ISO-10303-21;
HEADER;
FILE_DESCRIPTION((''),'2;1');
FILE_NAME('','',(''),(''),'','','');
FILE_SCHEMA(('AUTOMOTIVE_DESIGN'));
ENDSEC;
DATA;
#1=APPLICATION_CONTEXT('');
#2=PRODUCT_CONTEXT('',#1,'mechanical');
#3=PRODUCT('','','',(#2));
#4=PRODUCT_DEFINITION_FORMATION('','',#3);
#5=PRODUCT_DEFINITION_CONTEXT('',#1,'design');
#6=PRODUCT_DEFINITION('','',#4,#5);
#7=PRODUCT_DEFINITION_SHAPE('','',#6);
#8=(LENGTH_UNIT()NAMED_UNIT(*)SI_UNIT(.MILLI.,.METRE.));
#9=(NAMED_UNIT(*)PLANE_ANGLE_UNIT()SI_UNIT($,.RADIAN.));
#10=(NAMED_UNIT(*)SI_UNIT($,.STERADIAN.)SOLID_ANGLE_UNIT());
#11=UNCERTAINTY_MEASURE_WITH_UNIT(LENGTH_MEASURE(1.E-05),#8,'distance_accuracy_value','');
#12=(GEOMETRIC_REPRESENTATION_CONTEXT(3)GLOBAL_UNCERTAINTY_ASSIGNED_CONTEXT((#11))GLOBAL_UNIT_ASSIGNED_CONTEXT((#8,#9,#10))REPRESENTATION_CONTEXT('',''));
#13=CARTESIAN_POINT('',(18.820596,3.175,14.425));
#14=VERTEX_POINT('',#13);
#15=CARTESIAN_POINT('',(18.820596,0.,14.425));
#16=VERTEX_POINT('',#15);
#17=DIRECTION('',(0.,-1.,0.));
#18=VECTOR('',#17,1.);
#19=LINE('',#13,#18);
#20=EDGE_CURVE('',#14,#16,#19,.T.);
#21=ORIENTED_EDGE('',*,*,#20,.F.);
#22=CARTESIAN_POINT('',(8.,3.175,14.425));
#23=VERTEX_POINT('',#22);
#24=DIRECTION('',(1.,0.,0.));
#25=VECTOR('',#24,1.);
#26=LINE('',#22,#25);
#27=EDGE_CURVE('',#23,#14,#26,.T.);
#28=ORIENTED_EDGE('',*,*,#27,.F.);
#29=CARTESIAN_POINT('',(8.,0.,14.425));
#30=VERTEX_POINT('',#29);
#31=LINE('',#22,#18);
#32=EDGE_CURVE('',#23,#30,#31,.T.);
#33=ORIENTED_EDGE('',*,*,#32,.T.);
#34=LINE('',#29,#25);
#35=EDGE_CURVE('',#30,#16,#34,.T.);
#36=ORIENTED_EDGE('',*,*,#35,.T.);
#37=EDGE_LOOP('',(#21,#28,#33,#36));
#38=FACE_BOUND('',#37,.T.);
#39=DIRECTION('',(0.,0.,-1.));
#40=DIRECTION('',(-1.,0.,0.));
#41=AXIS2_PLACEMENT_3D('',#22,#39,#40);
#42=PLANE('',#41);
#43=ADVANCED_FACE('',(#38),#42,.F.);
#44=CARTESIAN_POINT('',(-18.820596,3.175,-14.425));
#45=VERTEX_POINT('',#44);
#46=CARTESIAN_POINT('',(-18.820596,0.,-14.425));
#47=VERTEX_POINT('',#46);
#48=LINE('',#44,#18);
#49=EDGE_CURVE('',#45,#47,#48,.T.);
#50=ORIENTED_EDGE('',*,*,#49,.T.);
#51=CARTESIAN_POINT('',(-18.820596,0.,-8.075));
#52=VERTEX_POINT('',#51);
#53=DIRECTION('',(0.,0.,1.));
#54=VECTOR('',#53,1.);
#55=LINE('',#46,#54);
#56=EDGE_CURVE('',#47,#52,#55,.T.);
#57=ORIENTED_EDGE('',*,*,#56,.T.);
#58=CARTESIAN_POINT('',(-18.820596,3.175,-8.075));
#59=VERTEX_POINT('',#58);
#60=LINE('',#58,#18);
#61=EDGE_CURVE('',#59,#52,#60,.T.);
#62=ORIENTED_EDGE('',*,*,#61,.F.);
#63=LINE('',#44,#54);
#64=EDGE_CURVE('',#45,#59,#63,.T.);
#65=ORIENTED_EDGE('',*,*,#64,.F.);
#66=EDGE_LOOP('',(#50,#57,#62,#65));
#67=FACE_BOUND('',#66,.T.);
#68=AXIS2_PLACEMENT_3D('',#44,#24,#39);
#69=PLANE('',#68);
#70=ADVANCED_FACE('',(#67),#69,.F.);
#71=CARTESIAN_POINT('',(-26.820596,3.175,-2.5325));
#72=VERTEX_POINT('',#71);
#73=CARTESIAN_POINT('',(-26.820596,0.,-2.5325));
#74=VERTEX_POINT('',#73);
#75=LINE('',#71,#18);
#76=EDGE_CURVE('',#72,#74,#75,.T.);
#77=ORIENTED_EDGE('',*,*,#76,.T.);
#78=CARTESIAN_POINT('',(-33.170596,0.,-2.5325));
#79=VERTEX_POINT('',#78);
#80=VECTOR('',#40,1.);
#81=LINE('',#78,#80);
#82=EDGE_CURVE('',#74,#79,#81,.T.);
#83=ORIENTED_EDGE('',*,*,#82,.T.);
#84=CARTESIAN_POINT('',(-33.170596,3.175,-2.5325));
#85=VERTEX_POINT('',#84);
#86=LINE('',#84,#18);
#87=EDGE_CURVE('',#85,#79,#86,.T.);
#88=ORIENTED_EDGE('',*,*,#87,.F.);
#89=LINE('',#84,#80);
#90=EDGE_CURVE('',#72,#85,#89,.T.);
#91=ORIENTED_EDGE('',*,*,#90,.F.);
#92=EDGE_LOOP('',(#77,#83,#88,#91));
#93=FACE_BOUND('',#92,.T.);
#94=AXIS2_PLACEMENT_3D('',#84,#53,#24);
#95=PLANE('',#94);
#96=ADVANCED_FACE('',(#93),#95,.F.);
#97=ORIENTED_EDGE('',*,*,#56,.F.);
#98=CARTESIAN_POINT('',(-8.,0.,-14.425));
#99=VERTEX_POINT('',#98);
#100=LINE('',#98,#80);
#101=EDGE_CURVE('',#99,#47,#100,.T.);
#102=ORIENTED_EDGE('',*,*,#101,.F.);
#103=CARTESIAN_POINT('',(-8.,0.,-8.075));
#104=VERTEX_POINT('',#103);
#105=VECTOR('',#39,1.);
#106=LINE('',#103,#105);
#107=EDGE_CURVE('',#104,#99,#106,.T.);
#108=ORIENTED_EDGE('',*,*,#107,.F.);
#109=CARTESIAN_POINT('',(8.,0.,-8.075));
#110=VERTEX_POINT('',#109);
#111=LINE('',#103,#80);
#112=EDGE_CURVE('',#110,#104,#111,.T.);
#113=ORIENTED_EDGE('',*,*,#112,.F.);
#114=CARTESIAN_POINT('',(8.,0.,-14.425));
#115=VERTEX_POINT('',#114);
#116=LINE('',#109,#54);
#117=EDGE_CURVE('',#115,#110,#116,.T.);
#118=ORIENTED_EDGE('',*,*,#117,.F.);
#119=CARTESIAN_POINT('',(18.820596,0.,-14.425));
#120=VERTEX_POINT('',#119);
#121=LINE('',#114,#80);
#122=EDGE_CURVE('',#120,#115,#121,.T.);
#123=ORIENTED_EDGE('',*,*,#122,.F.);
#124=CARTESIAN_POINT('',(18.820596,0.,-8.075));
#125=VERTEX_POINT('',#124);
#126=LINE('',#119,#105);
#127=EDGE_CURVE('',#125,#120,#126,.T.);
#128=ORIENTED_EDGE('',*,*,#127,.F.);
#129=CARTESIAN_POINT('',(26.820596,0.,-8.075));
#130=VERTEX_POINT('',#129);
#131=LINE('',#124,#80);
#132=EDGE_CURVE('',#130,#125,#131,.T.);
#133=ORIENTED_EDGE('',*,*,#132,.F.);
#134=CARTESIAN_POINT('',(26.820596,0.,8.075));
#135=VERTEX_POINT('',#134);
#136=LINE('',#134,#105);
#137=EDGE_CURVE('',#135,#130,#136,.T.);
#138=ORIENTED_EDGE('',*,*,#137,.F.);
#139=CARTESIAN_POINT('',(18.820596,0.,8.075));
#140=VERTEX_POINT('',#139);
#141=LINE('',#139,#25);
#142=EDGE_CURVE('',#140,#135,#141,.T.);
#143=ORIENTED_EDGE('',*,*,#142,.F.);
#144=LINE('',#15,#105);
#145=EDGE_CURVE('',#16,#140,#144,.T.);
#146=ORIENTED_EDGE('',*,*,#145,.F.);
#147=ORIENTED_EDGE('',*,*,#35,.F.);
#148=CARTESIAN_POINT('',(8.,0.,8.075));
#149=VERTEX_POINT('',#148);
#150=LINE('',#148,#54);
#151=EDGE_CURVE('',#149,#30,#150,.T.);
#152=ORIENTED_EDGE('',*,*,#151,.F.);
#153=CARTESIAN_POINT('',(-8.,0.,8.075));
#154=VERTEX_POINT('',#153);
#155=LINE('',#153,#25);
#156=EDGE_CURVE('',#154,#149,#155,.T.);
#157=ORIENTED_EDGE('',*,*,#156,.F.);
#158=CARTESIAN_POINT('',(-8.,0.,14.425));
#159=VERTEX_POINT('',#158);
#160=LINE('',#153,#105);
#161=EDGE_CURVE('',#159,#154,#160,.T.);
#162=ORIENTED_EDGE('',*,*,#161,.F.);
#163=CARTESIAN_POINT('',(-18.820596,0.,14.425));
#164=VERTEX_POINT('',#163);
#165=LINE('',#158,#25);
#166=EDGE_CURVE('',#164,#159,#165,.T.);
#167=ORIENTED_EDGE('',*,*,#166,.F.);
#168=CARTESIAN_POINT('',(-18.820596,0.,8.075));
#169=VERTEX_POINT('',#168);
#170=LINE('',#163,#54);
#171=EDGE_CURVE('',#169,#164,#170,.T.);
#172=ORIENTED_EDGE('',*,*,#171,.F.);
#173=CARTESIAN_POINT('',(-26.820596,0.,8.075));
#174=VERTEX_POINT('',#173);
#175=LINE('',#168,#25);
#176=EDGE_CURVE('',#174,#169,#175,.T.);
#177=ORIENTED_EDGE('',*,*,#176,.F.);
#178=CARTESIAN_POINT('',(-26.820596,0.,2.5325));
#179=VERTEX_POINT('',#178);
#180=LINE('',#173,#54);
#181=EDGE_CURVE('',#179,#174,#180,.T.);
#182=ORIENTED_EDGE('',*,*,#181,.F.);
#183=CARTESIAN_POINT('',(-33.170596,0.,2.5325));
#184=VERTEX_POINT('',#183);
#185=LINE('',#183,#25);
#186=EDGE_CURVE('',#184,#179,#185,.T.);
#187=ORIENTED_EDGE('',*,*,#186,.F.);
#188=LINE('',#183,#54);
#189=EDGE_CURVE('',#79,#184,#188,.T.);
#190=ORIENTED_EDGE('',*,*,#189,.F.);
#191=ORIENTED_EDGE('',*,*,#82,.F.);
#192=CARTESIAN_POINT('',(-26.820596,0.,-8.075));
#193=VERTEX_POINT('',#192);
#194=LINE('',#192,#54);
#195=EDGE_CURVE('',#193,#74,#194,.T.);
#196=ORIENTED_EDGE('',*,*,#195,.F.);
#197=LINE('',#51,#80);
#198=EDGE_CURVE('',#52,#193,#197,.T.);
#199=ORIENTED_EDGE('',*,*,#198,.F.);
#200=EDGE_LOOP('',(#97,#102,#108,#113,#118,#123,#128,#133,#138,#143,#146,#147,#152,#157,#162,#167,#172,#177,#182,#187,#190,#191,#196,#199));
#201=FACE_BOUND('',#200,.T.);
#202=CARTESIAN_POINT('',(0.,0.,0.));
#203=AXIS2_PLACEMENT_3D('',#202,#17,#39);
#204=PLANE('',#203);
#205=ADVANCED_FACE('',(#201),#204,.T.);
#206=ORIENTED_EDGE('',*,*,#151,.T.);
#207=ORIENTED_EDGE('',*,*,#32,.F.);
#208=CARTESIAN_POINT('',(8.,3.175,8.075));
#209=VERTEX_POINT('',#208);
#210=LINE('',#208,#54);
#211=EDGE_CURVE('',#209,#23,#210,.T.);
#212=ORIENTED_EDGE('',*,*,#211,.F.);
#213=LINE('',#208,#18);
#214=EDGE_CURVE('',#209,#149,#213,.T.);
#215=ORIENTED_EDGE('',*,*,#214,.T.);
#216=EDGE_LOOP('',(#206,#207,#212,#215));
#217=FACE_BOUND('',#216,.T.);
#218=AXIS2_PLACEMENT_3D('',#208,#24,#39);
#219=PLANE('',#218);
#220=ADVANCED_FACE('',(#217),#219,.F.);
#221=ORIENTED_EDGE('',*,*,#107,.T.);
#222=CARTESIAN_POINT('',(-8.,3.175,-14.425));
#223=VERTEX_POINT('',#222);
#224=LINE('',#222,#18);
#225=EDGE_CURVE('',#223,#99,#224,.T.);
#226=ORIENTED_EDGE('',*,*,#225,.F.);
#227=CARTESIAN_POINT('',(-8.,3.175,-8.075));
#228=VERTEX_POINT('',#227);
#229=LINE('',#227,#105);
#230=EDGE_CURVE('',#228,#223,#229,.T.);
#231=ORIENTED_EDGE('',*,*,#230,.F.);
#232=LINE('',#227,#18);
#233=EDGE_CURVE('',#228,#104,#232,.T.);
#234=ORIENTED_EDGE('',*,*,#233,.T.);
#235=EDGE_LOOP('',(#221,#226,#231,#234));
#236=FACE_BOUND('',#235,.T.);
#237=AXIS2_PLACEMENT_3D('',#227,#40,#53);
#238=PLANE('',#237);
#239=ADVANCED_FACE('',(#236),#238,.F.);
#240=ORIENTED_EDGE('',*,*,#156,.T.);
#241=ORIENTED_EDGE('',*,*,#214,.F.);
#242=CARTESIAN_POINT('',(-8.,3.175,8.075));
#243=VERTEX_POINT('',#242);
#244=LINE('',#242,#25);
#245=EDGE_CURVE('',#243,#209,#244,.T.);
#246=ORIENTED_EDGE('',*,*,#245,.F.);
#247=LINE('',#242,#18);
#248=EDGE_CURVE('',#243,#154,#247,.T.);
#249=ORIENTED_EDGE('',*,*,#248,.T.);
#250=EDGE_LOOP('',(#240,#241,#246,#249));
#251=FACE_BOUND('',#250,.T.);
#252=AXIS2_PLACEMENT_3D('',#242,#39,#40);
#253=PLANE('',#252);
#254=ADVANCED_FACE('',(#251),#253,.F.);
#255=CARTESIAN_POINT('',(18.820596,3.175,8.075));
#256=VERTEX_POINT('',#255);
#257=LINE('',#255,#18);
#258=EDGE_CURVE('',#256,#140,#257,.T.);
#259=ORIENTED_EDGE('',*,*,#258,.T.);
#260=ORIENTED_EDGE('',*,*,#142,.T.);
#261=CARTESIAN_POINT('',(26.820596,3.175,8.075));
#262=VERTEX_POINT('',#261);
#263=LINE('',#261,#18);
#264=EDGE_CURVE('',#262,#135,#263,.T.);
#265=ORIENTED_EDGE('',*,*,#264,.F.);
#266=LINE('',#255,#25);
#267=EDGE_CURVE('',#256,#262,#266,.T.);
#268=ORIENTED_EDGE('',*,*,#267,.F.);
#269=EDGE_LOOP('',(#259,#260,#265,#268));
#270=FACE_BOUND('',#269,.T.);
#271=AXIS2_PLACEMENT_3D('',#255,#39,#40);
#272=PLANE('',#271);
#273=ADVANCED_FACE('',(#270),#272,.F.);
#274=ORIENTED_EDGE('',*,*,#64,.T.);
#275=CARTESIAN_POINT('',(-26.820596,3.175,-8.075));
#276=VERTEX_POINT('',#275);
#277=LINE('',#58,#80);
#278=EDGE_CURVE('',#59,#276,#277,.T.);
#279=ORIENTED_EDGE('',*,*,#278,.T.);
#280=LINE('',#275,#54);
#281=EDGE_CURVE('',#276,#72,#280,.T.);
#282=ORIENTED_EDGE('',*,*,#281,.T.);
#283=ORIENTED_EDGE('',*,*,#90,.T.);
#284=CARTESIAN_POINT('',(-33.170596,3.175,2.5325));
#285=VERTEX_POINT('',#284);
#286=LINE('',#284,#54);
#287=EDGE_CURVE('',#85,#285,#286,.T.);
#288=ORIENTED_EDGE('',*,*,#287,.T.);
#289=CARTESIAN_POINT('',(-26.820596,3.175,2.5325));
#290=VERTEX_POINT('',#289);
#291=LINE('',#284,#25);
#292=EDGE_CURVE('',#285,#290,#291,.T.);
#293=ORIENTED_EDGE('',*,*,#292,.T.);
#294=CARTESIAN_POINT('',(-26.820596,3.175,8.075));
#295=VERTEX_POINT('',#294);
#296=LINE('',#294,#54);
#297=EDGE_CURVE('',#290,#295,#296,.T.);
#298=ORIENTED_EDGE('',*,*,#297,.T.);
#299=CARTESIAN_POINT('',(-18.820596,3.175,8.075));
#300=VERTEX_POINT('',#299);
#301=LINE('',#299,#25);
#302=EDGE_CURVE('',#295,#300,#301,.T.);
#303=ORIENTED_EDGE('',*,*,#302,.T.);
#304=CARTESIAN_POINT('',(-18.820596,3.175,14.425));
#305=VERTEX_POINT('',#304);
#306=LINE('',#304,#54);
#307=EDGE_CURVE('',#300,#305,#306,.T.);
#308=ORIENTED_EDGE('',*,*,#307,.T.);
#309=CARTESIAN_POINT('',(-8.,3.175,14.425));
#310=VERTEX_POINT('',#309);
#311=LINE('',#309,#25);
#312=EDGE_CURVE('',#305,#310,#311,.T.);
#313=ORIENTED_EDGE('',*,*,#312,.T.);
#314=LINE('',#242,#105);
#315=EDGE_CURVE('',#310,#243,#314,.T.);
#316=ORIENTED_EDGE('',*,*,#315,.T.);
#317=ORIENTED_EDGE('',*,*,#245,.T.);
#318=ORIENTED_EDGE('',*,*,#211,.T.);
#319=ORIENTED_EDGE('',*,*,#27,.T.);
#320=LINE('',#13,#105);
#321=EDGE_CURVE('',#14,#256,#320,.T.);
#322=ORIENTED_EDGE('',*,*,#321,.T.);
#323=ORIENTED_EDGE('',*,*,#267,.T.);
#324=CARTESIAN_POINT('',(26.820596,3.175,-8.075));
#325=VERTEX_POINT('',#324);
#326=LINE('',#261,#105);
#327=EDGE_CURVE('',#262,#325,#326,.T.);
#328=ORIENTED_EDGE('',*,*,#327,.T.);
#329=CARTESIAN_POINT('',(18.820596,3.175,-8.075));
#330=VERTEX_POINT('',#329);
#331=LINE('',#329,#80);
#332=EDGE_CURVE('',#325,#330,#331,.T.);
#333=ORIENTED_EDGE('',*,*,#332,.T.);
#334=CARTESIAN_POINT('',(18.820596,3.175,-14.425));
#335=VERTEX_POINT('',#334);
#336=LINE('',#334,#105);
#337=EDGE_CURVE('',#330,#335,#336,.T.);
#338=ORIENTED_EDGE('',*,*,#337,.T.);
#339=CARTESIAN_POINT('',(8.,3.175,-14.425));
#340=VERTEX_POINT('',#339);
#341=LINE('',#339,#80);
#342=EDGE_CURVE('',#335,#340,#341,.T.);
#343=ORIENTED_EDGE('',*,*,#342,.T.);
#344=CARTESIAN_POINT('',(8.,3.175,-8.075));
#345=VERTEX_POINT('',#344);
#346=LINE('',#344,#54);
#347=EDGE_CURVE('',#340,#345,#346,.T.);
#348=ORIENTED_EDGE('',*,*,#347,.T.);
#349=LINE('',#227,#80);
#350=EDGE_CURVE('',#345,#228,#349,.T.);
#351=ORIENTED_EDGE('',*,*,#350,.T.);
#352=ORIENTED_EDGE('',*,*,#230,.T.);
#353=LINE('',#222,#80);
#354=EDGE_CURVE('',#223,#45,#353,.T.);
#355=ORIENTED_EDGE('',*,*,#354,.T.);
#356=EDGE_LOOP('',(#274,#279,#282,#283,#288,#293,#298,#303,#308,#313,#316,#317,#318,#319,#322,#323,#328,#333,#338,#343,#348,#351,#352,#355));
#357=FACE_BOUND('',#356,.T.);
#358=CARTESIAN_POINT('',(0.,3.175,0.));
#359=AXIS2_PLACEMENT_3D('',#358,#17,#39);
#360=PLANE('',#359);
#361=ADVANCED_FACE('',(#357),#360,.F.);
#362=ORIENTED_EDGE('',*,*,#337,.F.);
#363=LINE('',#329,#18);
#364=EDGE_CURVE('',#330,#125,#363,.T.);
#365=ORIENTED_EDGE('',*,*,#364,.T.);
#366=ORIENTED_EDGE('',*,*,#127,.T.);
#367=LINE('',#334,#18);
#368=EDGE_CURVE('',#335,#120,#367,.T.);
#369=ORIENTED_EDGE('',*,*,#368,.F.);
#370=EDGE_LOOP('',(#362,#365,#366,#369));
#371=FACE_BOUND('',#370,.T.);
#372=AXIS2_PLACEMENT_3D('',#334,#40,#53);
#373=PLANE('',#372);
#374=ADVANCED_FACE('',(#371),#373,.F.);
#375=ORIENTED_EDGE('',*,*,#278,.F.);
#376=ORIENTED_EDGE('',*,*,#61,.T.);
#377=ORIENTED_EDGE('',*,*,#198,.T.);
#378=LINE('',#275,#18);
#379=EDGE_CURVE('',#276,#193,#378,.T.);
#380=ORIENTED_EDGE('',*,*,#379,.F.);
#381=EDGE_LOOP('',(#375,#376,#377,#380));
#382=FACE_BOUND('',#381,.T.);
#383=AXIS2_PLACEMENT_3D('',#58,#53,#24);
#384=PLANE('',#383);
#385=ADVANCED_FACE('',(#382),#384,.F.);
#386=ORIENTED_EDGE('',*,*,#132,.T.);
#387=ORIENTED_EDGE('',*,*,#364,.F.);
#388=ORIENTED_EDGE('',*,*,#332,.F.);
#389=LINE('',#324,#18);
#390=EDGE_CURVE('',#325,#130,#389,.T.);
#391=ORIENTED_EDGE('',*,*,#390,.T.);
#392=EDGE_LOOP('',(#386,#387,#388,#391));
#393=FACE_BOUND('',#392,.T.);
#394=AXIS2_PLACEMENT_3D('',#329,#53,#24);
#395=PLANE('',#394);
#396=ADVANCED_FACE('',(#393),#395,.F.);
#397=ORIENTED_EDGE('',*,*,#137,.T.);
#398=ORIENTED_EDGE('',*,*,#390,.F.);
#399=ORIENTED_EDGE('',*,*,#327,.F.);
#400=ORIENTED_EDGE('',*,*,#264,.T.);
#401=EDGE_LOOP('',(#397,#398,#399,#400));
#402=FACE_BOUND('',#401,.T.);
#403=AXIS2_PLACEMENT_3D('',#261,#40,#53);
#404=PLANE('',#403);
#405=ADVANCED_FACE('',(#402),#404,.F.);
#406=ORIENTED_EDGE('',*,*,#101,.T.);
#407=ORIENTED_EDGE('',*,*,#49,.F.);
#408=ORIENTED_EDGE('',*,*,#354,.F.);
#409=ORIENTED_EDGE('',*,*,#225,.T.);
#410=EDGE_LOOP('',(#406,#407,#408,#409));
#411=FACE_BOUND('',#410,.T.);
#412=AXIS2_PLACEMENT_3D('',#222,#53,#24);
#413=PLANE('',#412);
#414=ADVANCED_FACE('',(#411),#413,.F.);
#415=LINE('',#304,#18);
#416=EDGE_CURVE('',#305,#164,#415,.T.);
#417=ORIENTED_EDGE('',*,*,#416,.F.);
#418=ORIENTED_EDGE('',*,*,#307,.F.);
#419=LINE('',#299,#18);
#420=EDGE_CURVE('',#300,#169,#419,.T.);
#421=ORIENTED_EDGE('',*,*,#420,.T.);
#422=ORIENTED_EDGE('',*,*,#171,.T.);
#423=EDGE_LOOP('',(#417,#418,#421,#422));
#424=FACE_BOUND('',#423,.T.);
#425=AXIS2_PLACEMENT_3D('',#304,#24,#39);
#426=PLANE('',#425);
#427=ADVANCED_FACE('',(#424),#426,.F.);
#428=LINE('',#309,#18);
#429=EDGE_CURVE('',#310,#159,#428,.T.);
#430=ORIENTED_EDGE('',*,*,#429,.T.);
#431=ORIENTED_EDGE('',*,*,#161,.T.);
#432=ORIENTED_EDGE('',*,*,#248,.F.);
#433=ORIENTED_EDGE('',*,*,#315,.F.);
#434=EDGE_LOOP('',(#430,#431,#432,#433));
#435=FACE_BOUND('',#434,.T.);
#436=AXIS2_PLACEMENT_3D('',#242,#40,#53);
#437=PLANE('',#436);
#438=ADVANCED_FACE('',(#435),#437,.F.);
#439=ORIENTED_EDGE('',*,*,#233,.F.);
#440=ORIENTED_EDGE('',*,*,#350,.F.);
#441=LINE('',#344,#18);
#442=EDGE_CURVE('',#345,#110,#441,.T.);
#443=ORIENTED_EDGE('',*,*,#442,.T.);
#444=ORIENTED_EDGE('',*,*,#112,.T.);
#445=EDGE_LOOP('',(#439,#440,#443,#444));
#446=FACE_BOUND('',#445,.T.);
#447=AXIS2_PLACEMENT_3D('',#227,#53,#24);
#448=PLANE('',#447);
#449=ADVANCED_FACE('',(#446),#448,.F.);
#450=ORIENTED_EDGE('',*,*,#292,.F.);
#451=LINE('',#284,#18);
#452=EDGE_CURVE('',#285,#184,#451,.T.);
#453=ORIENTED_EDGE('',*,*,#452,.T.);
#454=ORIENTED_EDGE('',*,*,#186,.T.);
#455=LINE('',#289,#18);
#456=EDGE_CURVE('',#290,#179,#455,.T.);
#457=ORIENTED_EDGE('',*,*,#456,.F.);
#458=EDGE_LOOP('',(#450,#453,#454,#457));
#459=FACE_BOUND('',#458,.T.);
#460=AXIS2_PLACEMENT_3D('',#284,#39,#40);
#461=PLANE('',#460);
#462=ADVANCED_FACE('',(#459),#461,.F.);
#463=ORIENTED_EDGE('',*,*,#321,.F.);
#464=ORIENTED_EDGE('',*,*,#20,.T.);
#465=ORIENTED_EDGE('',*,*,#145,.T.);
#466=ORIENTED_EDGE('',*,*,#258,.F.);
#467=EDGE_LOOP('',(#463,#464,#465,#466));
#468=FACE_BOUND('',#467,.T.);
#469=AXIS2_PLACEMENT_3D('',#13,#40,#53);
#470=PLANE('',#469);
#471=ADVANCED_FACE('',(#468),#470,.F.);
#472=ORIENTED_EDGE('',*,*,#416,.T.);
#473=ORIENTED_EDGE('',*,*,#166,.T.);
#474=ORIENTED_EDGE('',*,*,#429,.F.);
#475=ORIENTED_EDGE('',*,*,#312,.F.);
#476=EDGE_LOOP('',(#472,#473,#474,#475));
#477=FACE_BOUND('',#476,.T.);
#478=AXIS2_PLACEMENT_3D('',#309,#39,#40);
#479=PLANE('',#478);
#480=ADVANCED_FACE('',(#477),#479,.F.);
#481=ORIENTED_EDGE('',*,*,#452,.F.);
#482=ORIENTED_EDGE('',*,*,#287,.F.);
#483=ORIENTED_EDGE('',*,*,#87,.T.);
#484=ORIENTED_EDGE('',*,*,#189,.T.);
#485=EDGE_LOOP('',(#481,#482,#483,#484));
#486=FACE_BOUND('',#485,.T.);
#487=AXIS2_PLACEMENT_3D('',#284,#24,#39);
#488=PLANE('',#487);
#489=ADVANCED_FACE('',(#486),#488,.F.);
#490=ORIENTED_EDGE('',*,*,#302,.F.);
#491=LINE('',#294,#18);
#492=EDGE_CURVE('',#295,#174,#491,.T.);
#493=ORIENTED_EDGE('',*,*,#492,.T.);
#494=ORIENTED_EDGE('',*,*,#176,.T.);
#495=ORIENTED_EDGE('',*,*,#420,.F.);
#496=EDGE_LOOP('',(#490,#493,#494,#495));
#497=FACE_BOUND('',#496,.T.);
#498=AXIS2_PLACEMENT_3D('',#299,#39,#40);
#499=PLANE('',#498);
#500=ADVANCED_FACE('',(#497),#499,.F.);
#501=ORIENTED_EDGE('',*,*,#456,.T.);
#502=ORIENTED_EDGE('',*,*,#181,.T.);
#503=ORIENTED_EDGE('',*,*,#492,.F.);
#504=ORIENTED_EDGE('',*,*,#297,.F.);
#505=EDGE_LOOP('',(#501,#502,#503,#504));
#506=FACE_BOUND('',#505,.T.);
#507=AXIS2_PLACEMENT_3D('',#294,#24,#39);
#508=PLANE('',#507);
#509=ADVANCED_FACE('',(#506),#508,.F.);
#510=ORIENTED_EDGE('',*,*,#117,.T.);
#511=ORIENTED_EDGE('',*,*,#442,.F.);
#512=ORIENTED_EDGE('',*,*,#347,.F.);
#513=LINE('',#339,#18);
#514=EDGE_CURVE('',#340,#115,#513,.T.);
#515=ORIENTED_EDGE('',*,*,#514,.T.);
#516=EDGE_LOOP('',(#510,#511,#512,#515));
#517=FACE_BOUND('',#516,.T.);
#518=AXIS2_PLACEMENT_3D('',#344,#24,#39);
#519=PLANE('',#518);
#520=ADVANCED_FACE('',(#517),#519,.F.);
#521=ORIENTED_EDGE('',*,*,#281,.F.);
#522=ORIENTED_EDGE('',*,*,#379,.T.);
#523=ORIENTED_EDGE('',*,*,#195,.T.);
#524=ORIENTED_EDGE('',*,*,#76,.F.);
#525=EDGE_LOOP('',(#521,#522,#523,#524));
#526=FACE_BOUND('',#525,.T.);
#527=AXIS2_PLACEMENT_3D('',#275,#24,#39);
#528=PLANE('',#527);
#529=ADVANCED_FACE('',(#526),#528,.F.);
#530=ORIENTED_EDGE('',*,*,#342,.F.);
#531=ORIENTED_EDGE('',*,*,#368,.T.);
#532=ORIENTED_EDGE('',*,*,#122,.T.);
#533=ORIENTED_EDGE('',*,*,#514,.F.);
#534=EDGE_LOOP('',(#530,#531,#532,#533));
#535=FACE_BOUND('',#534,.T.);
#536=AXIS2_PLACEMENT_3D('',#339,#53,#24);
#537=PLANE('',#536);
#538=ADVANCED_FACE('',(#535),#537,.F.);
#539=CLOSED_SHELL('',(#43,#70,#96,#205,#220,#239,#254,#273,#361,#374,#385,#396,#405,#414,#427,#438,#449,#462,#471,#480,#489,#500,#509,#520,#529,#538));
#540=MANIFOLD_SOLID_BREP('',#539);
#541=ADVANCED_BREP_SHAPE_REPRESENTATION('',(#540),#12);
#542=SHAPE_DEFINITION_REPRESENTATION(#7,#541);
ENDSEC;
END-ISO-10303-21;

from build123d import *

# Parameters (mm, degrees)
BOSS_EXTRUDE1_DEPTH = 3.175


with BuildPart() as part:
    # Sketch1 → Boss-Extrude1 (new body)
    with BuildSketch(Plane(origin=(0, 0, 0), x_dir=(1, 0, 0), z_dir=(0, 1, 0))):
        Polygon((-33.17059633, -2.5325), (-33.17059633, 2.5325), (-26.82059633, 2.5325), (-26.82059633, 8.075), (-18.82059633, 8.075), (-18.82059633, 14.425), (-8, 14.425), (-8, 8.075), (8, 8.075), (8, 14.425), (18.82059633, 14.425), (18.82059633, 8.075), (26.82059633, 8.075), (26.82059633, -8.075), (18.82059633, -8.075), (18.82059633, -14.425), (8, -14.425), (8, -8.075), (-8, -8.075), (-8, -14.425), (-18.82059633, -14.425), (-18.82059633, -8.075), (-26.82059633, -8.075), (-26.82059633, -2.5325), align=None)
    extrude(amount=BOSS_EXTRUDE1_DEPTH)


solid = part.part
